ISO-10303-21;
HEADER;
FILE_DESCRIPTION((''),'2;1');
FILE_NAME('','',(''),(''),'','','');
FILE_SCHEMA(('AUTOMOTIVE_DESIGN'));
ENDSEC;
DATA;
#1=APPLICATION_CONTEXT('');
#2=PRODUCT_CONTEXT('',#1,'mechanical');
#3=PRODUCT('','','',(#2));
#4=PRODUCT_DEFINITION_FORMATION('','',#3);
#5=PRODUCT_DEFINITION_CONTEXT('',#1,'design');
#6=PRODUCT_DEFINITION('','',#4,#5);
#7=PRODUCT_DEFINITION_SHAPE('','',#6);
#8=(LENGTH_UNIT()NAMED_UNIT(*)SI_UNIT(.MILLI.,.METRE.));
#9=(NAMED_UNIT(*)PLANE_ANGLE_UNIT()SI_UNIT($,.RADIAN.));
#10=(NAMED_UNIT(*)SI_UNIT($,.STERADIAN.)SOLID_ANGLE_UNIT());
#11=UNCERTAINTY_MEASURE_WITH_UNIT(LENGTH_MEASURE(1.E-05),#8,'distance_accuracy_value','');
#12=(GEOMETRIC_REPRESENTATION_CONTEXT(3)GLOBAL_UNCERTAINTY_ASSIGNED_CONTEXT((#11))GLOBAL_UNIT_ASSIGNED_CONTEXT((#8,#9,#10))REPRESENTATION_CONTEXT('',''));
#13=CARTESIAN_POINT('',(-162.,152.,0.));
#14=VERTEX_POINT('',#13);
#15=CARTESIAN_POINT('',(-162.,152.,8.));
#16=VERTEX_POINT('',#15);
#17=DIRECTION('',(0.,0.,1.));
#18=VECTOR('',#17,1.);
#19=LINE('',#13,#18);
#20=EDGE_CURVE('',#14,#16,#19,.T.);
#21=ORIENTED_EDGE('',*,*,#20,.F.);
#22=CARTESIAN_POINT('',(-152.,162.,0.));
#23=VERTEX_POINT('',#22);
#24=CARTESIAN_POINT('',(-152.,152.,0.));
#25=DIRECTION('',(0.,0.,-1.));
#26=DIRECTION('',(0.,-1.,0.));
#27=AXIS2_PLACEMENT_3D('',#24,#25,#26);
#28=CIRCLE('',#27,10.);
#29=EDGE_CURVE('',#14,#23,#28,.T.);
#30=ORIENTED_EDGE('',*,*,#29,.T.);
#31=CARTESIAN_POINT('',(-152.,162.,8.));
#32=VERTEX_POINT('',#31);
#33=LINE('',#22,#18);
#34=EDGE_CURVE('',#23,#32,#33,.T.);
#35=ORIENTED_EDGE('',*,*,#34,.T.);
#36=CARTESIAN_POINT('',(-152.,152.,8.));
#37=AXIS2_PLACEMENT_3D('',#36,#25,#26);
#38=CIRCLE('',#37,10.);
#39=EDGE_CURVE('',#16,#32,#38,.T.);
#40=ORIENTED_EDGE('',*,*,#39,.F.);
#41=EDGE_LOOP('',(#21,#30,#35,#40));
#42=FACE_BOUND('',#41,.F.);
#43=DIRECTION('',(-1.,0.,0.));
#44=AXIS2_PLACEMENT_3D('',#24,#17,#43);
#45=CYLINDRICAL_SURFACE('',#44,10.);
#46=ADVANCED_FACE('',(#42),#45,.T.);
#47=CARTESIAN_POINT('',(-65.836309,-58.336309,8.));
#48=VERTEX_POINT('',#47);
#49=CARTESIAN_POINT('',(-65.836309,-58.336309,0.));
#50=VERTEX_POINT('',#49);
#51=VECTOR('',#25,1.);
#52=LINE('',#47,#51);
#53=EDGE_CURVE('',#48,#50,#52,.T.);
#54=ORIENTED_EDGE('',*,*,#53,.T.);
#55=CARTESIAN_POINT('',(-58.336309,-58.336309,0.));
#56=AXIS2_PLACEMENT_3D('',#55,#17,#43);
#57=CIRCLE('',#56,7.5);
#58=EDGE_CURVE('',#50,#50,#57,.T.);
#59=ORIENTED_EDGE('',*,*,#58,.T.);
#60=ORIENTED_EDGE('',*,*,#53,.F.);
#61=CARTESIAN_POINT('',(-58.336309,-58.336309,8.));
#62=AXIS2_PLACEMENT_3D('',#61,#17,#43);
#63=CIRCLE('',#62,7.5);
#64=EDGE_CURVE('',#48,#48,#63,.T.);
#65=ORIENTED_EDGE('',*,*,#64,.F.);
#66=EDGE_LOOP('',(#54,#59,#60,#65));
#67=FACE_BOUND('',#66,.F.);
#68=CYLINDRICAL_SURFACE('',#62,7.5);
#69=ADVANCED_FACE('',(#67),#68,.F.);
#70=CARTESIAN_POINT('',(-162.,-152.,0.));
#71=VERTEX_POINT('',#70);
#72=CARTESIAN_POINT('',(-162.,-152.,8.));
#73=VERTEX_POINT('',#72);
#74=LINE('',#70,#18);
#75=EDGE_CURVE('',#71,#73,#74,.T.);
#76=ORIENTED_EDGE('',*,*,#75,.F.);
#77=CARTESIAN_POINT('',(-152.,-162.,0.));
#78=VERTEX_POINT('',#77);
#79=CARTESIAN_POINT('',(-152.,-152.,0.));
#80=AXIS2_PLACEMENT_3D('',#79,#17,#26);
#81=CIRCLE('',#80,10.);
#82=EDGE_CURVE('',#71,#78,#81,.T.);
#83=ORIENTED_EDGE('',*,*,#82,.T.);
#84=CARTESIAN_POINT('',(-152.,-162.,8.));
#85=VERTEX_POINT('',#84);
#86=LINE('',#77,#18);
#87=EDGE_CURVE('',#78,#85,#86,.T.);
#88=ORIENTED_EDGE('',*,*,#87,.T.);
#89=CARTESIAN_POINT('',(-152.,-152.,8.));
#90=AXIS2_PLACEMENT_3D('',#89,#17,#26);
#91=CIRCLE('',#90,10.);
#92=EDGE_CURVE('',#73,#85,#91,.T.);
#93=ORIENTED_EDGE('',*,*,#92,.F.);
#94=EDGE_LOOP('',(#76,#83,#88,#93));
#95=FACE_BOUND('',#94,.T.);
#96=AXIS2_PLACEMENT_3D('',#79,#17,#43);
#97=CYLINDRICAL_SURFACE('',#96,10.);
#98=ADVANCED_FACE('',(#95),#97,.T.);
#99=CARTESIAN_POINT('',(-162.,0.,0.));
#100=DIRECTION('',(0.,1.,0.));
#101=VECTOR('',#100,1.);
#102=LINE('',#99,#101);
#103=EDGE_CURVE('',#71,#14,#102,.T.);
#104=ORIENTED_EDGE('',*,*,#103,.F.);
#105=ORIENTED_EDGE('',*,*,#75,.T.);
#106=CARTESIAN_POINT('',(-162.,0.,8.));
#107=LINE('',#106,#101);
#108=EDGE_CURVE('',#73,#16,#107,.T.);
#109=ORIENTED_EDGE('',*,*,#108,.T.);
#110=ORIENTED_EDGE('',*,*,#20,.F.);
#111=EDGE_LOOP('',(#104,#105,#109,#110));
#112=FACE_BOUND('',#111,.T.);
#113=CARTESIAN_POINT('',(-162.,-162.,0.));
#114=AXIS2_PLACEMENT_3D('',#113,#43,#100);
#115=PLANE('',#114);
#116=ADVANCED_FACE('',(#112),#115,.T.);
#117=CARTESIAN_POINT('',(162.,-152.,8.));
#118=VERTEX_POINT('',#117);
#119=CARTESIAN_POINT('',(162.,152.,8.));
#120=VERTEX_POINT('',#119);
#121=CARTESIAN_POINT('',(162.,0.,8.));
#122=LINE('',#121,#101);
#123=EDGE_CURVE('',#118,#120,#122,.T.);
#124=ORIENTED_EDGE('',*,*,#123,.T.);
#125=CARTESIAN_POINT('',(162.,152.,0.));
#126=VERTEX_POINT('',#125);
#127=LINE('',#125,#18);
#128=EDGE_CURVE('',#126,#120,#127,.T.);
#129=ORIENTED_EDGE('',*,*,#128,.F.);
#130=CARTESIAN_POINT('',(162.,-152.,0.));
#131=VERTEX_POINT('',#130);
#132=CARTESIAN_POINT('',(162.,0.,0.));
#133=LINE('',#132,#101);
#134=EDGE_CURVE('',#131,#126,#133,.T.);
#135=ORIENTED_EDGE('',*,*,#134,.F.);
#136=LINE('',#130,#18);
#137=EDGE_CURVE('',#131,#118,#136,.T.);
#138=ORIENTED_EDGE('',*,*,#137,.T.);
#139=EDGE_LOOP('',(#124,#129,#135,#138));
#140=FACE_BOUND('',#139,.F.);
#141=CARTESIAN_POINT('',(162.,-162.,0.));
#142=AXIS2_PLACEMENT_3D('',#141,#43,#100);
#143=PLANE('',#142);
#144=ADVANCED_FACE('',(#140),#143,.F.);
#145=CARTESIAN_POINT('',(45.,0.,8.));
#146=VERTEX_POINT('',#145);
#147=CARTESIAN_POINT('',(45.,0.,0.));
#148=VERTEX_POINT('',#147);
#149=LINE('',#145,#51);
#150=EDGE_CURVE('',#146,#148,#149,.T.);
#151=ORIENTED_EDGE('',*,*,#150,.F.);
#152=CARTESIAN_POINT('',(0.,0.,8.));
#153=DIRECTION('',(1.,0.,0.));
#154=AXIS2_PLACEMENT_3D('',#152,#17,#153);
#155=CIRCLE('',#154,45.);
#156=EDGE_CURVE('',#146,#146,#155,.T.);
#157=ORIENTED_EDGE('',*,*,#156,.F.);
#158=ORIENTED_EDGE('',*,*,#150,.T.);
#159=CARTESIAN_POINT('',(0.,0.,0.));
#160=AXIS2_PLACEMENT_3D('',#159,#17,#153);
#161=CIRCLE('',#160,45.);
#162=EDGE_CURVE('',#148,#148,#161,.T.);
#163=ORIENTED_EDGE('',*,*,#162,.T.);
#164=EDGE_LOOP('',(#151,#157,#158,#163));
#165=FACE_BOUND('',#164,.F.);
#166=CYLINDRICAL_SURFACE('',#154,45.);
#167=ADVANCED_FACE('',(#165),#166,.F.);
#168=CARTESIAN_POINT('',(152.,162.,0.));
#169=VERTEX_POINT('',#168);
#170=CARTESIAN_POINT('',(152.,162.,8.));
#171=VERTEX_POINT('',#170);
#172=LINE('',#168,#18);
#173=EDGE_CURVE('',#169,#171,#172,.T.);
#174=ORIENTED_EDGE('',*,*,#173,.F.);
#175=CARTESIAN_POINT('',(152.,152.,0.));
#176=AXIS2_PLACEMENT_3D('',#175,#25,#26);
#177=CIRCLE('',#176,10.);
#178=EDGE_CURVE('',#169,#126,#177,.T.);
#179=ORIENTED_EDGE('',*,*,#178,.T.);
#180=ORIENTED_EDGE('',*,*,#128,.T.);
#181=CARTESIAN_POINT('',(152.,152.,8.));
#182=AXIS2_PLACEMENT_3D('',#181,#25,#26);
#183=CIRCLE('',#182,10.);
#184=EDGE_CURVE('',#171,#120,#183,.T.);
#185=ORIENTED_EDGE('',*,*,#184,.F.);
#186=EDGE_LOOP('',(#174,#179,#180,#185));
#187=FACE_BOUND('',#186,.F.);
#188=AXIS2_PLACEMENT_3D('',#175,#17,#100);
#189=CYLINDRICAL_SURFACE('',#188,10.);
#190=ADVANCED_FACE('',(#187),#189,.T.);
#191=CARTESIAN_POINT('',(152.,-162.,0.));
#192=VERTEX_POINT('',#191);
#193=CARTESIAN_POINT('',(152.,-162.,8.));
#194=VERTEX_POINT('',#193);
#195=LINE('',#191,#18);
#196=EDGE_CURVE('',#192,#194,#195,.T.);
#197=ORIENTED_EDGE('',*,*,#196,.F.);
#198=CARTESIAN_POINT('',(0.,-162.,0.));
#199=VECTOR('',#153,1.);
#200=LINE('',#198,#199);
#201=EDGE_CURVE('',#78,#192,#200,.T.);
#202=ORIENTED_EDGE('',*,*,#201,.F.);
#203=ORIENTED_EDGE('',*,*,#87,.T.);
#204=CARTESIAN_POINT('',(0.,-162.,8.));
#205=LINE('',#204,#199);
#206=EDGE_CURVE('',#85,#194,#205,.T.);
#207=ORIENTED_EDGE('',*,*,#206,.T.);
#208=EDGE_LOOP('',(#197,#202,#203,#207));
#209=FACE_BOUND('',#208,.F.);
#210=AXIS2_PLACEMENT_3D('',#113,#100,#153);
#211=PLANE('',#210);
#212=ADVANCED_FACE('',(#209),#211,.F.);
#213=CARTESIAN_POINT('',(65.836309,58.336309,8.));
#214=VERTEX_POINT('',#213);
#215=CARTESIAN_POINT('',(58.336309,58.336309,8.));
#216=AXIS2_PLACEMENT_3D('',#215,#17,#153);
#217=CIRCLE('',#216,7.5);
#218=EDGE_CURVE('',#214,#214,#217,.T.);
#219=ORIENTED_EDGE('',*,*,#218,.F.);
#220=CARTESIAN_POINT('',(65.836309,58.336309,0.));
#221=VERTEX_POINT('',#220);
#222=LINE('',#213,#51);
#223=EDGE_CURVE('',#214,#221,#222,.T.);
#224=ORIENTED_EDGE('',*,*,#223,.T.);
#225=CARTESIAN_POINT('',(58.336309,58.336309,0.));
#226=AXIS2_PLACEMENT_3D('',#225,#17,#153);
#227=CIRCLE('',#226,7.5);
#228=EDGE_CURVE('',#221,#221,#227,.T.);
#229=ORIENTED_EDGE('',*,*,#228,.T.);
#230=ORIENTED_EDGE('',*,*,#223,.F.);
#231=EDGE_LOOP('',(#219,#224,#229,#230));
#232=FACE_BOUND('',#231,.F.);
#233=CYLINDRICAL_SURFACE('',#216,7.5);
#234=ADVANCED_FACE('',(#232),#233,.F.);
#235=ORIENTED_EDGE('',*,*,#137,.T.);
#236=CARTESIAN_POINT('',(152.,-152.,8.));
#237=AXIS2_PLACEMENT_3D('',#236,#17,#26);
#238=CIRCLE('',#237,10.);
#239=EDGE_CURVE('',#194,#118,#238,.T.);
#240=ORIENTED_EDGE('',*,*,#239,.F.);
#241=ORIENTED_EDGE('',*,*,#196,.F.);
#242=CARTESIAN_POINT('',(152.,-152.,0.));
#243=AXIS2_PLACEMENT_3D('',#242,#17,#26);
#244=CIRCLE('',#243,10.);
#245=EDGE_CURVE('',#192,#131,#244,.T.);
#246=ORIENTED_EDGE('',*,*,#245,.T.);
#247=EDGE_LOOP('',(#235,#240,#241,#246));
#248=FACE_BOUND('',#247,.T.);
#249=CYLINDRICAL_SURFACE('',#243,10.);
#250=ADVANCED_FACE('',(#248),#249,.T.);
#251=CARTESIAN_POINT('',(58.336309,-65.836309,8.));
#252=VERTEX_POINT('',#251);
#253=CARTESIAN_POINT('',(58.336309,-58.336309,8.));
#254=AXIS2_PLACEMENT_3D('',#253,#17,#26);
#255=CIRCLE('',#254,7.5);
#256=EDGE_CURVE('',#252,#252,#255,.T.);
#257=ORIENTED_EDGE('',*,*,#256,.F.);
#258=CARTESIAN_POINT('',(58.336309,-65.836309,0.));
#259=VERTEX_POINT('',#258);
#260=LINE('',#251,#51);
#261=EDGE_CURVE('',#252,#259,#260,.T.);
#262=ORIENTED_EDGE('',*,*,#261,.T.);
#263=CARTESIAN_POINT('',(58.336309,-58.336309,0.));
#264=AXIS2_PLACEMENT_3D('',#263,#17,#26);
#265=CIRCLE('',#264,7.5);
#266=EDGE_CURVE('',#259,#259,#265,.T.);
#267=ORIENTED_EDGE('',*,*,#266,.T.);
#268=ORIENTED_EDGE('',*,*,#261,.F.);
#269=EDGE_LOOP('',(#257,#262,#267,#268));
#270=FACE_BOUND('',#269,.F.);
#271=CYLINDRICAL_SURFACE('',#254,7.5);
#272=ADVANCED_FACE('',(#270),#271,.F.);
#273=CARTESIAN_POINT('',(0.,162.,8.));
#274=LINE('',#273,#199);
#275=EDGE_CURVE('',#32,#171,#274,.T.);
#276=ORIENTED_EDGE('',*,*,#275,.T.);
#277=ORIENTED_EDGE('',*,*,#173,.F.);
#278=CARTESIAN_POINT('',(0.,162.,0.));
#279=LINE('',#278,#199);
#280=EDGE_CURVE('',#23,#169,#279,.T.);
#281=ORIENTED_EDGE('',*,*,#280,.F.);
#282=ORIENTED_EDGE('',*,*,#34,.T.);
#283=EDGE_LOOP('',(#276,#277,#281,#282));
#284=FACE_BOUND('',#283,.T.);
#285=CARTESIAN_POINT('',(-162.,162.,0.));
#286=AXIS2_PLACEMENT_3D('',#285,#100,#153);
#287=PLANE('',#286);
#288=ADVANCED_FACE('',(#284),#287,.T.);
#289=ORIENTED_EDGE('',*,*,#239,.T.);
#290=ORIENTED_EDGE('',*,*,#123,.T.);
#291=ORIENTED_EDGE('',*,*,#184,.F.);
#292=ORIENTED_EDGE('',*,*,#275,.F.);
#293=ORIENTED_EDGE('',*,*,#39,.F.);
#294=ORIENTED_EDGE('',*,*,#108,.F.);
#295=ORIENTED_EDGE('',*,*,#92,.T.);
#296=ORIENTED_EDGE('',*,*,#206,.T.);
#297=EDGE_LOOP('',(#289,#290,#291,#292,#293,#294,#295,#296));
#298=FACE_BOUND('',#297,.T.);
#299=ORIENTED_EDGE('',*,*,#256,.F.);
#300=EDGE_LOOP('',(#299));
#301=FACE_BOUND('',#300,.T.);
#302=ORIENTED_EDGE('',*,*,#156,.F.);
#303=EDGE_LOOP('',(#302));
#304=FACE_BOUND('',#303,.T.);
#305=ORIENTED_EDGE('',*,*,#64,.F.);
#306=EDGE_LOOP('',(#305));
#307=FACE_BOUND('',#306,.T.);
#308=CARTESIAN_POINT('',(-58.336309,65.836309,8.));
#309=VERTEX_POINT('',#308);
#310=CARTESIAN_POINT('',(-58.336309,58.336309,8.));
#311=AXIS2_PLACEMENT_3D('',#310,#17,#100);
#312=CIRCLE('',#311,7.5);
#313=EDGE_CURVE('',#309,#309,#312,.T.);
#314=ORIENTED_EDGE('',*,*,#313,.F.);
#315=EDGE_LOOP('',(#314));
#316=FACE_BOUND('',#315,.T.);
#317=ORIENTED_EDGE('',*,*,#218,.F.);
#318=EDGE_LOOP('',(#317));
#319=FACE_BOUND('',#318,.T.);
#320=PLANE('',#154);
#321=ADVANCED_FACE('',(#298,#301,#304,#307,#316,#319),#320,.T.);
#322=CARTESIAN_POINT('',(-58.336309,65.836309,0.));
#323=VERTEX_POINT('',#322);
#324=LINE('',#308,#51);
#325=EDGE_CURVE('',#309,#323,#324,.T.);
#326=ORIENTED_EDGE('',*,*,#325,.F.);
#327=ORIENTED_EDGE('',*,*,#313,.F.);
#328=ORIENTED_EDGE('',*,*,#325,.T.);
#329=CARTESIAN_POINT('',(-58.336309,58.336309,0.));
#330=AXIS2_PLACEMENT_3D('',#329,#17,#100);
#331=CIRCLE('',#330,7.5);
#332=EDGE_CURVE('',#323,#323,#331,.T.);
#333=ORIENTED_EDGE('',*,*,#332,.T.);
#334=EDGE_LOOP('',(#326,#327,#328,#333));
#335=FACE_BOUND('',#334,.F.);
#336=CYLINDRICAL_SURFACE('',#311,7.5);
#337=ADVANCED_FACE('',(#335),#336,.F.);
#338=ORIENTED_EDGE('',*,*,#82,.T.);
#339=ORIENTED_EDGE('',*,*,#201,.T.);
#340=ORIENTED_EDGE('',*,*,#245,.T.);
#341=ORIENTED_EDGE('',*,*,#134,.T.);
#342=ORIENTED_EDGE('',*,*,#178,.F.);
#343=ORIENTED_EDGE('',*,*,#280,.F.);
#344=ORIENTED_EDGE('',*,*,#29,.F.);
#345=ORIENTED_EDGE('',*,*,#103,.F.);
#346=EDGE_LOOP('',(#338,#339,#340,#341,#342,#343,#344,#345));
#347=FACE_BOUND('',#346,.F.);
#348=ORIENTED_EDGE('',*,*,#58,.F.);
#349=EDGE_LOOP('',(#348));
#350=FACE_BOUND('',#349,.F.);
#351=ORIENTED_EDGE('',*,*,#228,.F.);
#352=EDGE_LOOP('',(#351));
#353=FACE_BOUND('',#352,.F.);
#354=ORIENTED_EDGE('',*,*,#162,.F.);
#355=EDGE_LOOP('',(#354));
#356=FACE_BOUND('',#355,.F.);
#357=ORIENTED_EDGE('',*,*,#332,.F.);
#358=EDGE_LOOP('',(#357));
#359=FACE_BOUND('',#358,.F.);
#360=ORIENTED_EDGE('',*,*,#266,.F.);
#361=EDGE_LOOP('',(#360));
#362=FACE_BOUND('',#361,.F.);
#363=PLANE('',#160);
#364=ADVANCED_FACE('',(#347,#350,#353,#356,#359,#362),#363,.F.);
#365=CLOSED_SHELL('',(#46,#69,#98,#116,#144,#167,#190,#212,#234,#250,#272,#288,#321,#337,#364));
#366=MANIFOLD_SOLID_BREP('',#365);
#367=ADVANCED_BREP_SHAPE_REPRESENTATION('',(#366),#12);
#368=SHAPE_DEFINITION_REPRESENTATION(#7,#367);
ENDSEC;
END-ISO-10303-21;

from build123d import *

# Parameters (mm, degrees)
SKETCH1_W           = 324
SKETCH1_H           = 324
BOSS_EXTRUDE1_DEPTH = 8
SKETCH2_R           = 7.5
CUT_EXTRUDE1_DEPTH  = 8
SKETCH3_R           = 45
CUT_EXTRUDE2_DEPTH  = 10
CIRPATTERN1_COUNT   = 4
FILLET1_R           = 10


with BuildPart() as part:
    # Sketch1 → Boss-Extrude1 (new body)
    with BuildSketch(Plane.XY):
        Rectangle(SKETCH1_W, SKETCH1_H)
    extrude(amount=BOSS_EXTRUDE1_DEPTH)

    # Sketch2 → Cut-Extrude1 (cut)
    with BuildSketch(Plane.XY.offset(8)):
        with Locations((58.336309448, 58.336309448)):
            Circle(SKETCH2_R)
    cut_extrude1 = extrude(amount=-CUT_EXTRUDE1_DEPTH, mode=Mode.SUBTRACT)

    # Sketch3 → Cut-Extrude2 (cut)
    with BuildSketch(Plane.XY.offset(8)):
        Circle(SKETCH3_R)
    extrude(amount=-CUT_EXTRUDE2_DEPTH, mode=Mode.SUBTRACT)

    # CirPattern1: Cut-Extrude1 ×4 about axis
    cirpattern1_axis = Axis((0, 0, 0), (0, 0, 1))
    for i in range(1, CIRPATTERN1_COUNT):
        add(cut_extrude1.rotate(cirpattern1_axis, i * 360 / CIRPATTERN1_COUNT), mode=Mode.SUBTRACT)

    # Fillet1
    fillet1_edges = [part.edges().sort_by_distance(p)[0] for p in [
        (162, -162, 4),
        (-162, -162, 4),
        (-162, 162, 4),
        (162, 162, 4),
    ]]
    fillet(fillet1_edges, radius=FILLET1_R)


solid = part.part
